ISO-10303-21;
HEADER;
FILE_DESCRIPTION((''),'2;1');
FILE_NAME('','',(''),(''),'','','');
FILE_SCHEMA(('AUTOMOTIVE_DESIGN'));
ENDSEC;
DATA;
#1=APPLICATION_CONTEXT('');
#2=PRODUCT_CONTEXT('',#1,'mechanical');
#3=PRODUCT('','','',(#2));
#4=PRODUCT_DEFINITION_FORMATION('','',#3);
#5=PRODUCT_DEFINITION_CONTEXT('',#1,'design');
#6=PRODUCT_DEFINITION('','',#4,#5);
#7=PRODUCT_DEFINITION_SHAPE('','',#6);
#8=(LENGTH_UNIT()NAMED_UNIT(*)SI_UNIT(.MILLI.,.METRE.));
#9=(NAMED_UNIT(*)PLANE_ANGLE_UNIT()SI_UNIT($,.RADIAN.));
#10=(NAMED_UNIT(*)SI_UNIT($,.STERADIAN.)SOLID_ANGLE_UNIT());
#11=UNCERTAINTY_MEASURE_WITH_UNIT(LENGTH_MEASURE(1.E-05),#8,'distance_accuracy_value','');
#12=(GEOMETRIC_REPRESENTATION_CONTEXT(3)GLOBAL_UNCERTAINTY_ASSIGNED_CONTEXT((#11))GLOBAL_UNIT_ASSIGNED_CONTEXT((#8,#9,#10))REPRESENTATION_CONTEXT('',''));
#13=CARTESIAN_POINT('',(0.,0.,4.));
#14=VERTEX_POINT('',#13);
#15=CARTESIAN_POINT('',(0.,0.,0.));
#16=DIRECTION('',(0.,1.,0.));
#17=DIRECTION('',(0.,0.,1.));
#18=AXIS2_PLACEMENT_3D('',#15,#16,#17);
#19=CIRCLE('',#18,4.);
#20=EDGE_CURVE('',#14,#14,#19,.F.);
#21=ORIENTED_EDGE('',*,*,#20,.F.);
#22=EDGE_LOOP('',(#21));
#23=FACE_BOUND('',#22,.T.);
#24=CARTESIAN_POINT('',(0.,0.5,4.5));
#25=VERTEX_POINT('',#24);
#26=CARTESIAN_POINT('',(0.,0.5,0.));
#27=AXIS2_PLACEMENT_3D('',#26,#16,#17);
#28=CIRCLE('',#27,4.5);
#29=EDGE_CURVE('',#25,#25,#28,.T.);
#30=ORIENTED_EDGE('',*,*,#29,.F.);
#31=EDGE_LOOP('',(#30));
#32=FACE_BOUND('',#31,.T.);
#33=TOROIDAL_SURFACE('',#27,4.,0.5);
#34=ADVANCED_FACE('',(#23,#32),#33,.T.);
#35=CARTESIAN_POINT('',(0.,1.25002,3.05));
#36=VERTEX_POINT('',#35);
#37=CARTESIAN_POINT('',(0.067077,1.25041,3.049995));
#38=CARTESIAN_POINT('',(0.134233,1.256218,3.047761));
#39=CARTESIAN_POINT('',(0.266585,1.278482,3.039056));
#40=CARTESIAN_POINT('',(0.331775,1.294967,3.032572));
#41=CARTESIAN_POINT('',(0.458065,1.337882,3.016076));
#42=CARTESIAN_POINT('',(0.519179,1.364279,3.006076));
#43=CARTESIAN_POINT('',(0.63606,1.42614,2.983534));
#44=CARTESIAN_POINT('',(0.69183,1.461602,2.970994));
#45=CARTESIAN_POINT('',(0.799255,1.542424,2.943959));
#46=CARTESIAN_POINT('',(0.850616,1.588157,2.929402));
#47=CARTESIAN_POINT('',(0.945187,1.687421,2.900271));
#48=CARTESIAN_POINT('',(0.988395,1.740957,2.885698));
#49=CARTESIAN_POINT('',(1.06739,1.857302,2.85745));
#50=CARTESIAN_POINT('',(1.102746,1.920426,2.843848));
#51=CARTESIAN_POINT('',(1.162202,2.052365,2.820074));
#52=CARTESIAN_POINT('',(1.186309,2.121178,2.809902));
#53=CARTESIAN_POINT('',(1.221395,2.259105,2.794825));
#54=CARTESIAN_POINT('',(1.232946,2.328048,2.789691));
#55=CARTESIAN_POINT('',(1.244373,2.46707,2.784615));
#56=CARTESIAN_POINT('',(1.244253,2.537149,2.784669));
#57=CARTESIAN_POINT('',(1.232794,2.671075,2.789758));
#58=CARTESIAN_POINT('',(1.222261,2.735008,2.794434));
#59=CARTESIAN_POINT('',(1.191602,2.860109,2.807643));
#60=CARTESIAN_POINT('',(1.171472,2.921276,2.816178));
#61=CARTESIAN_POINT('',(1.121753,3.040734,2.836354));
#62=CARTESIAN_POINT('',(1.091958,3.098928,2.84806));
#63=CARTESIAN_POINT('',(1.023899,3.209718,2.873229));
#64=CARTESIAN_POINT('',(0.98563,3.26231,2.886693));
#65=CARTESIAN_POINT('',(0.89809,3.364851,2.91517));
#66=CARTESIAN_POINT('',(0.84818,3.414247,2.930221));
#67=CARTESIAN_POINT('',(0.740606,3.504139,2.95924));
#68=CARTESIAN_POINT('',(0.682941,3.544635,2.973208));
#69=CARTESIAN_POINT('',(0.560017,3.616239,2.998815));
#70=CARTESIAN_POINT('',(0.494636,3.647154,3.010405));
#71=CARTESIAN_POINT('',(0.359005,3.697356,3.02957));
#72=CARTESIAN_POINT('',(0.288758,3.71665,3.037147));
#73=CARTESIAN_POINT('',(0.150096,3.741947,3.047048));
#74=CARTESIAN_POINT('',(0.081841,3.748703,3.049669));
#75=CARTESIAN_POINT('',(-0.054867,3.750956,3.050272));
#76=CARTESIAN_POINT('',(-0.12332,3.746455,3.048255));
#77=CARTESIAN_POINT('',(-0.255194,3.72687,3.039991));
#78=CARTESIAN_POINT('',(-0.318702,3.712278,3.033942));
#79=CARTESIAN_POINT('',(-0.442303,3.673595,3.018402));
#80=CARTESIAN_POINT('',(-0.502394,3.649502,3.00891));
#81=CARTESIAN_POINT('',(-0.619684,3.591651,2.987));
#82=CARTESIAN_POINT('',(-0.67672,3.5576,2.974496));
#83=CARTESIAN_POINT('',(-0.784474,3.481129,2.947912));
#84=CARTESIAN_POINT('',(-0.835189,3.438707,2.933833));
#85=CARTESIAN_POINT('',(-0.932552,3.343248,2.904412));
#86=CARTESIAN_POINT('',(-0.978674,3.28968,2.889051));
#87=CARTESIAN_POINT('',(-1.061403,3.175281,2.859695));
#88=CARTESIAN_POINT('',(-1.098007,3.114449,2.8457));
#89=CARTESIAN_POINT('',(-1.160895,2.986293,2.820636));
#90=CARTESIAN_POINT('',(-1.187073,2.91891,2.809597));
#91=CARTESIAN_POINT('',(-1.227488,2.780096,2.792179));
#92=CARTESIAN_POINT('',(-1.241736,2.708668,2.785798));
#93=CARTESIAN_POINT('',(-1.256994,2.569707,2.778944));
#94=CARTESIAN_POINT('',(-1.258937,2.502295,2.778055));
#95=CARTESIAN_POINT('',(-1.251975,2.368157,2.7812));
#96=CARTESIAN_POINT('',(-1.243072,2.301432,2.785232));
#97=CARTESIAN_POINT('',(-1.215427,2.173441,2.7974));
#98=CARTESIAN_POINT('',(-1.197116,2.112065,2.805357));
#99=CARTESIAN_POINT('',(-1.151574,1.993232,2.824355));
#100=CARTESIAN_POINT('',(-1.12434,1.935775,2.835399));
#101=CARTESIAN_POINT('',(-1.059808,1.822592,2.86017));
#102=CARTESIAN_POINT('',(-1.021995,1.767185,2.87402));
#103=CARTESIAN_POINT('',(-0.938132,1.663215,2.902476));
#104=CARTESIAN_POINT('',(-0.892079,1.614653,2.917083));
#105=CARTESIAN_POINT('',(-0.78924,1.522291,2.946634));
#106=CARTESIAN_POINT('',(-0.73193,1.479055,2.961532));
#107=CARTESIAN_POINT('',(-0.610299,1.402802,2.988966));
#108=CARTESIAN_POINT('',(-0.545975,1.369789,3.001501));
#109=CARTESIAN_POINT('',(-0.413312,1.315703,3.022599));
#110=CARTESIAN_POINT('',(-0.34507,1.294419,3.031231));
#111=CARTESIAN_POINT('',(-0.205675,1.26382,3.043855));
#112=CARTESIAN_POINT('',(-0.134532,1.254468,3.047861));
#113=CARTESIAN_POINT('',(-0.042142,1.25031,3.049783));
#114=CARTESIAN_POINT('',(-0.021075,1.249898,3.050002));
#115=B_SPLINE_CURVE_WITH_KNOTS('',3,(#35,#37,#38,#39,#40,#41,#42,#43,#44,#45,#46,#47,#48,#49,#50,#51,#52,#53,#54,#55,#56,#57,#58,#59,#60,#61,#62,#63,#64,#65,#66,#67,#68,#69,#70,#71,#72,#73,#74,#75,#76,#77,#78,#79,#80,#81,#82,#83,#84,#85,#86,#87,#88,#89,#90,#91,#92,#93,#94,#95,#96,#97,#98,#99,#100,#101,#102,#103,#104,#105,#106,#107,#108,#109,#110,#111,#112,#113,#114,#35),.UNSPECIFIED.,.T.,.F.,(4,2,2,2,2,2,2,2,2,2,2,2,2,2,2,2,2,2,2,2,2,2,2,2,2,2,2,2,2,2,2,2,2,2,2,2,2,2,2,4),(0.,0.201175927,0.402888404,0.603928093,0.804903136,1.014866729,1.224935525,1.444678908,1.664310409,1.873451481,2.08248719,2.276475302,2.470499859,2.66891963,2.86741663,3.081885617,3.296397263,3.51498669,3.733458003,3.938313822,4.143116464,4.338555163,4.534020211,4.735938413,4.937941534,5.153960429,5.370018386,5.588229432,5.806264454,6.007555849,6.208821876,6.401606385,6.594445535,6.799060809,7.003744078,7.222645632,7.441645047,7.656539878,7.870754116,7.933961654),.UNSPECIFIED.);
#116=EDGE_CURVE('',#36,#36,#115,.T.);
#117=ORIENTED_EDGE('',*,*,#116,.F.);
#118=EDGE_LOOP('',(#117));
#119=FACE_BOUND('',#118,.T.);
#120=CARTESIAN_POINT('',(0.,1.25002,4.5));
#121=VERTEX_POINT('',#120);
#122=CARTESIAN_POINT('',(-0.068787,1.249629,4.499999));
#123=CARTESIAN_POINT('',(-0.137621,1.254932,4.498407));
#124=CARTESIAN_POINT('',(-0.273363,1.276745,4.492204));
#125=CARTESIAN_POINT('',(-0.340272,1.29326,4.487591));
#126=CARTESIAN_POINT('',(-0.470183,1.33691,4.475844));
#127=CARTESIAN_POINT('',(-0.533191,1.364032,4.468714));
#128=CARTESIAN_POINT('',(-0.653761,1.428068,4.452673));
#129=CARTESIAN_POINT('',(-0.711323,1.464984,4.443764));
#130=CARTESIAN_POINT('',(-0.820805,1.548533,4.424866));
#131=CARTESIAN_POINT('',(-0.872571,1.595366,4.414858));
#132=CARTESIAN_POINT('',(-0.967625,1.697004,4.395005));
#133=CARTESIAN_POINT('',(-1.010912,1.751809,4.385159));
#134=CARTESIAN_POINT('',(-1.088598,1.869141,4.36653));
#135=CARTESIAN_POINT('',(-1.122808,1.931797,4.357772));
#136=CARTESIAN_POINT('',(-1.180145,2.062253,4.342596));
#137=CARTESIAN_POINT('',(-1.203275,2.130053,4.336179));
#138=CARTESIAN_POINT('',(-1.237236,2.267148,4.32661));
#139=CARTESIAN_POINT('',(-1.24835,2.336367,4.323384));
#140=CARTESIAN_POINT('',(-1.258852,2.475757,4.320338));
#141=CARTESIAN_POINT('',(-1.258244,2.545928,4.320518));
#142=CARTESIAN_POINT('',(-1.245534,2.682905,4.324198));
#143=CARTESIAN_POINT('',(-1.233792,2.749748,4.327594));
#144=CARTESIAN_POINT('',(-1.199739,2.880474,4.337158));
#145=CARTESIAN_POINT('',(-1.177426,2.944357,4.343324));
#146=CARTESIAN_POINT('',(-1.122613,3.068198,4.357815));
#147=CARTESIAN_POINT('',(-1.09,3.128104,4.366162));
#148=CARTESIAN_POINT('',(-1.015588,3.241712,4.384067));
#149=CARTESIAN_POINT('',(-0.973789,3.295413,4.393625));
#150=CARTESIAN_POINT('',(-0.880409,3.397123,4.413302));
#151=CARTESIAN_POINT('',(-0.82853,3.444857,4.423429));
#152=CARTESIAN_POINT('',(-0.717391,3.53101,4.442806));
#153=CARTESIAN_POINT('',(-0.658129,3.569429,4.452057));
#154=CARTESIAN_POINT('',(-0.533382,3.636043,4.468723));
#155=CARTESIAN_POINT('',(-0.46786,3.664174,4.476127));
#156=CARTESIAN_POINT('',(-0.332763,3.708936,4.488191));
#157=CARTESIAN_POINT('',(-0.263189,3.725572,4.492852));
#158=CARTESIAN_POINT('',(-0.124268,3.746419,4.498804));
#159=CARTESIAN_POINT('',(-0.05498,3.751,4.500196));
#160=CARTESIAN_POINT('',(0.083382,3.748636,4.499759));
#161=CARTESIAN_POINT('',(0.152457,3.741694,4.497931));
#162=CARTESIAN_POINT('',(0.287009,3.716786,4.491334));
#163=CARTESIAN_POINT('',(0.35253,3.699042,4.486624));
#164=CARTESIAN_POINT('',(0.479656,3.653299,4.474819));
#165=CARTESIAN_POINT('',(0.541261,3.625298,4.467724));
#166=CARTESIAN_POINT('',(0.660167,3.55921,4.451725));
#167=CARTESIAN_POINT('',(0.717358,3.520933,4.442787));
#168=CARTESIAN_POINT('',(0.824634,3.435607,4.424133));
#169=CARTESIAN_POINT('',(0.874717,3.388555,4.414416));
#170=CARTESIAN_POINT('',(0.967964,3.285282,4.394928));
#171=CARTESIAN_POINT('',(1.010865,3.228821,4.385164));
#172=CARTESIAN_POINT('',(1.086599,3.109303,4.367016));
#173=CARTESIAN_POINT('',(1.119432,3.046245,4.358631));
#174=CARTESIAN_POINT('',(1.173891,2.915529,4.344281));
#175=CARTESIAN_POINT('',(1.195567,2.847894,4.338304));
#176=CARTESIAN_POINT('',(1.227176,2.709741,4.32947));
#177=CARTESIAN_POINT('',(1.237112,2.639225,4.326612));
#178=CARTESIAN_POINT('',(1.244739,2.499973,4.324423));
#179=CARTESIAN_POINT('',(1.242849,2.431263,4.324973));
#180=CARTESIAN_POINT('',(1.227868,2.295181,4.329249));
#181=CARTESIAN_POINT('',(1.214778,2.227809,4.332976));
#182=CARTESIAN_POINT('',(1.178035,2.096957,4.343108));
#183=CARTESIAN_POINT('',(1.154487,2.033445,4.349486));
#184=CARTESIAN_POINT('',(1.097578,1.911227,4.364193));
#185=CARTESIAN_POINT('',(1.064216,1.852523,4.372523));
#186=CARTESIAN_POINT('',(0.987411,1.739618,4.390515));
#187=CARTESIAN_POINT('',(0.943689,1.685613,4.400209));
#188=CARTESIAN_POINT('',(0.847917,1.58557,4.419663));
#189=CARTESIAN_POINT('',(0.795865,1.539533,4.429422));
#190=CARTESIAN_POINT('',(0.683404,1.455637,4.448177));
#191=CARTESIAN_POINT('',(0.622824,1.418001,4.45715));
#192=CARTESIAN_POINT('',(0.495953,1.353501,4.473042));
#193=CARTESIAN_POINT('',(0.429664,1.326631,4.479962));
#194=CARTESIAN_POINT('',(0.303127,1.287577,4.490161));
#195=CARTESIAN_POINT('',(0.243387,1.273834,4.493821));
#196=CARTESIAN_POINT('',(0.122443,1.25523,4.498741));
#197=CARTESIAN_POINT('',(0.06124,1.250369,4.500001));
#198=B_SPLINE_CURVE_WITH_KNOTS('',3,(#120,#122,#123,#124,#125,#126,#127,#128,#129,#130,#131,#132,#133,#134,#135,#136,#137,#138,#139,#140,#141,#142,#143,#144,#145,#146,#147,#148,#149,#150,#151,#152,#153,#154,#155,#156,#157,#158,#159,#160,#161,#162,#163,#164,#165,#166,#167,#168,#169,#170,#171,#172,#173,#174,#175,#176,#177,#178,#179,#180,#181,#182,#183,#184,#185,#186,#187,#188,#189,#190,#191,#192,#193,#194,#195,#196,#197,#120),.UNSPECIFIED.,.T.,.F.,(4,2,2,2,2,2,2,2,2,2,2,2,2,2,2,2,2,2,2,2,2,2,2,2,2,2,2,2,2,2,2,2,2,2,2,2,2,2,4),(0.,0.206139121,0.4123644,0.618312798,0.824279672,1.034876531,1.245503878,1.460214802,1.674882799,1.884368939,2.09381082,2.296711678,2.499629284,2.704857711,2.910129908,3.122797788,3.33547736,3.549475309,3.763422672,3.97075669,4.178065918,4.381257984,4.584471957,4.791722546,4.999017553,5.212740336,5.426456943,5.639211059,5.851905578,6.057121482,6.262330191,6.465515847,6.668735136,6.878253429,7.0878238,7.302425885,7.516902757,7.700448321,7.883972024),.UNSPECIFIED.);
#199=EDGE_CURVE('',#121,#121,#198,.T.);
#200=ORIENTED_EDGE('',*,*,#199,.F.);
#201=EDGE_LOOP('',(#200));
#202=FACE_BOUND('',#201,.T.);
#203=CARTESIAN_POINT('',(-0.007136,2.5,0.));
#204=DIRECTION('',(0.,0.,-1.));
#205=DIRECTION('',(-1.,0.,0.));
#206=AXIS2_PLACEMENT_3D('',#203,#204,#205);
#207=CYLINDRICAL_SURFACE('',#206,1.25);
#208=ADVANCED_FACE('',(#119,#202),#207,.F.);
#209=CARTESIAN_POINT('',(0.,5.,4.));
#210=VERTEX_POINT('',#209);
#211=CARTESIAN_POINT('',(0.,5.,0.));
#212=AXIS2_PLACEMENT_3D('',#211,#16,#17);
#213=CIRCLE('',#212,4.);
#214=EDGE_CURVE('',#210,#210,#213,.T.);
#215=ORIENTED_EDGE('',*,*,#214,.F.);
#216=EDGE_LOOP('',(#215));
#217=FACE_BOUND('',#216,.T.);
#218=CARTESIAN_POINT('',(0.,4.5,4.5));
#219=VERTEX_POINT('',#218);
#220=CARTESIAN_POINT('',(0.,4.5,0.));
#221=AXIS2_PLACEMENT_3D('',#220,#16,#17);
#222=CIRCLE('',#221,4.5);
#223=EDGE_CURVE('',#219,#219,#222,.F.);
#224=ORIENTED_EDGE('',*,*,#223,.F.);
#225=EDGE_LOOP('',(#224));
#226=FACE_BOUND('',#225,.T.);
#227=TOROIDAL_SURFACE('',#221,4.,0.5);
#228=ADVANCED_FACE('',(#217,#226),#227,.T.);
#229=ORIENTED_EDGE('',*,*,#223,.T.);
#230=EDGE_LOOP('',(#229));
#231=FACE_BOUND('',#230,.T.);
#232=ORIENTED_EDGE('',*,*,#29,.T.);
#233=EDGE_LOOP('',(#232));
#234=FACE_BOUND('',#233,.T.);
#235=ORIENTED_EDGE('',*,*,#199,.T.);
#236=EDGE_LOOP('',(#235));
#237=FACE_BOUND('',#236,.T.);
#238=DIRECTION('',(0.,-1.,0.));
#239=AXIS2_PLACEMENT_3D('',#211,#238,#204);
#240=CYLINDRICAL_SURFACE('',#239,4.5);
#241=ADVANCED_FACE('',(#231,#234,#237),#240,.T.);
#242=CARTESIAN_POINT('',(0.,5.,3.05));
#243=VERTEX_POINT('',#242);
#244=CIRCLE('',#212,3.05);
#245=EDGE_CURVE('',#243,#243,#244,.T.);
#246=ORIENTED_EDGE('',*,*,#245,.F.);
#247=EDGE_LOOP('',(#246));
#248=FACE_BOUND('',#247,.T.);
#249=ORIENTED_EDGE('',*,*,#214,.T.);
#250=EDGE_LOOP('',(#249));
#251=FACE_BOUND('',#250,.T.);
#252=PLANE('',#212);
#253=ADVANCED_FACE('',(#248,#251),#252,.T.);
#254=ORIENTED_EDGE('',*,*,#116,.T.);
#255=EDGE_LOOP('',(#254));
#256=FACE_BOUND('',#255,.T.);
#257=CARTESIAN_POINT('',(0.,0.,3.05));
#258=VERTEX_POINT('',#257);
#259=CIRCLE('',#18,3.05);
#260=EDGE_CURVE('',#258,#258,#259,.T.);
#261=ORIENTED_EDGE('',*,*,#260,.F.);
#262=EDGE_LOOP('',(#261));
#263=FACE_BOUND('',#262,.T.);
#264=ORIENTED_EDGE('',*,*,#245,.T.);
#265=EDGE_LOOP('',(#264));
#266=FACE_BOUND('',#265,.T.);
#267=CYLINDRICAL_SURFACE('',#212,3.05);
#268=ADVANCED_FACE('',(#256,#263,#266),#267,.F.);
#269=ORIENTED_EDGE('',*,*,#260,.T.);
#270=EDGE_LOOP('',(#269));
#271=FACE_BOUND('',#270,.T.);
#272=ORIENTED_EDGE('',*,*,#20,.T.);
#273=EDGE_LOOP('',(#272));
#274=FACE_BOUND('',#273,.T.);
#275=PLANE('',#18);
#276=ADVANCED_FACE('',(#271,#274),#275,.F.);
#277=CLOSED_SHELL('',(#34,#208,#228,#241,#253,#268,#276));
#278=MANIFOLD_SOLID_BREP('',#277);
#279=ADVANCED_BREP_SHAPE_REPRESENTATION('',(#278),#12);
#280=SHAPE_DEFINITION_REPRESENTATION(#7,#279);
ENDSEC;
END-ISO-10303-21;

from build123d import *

# Parameters (mm, degrees)
SKETCH1_R                  = 4.5
BOSS_EXTRUDE1_DEPTH        = 5
F_6_1_6_1_DIAMETER_HOLE1_D = 6.1
SKETCH6_W                  = 1.25
SKETCH6_H                  = 4.5
FILLET1_R                  = 0.5


with BuildPart() as part:
    # Sketch1 → Boss-Extrude1 (new body)
    with BuildSketch(Plane(origin=(0, 0, 0), x_dir=(1, 0, 0), z_dir=(0, 1, 0))):
        with Locations(Location((0, 0, 0), (0, 0, 270))):
            Circle(SKETCH1_R)
    extrude(amount=BOSS_EXTRUDE1_DEPTH)

    # Ø6.1 (6.1) Diameter Hole1 (through all)
    with Locations(Plane(origin=(0, 5, 0), x_dir=(1, 0, 0), z_dir=(0, 1, 0))):
        with Locations((0, 0)):
            Hole(F_6_1_6_1_DIAMETER_HOLE1_D / 2)

    # Sketch6 → M3 Tapped Hole1 (revolve, cut)
    with BuildSketch(Plane(origin=(-0.007135696, 2.5, 0), x_dir=(0, 1, 0), z_dir=(1, 0, 0))):
        with Locations((0.625, 2.25)):
            Rectangle(SKETCH6_W, SKETCH6_H)
    revolve(axis=Axis((-0.007135696, 2.5, -6.35), (0, 0, 1)), mode=Mode.SUBTRACT)

    # Fillet1
    fillet1_edges = [part.edges().sort_by_distance(p)[0] for p in [
        (0, 0, -4.5),
        (0, 5, -4.5),
    ]]
    fillet(fillet1_edges, radius=FILLET1_R)


solid = part.part
